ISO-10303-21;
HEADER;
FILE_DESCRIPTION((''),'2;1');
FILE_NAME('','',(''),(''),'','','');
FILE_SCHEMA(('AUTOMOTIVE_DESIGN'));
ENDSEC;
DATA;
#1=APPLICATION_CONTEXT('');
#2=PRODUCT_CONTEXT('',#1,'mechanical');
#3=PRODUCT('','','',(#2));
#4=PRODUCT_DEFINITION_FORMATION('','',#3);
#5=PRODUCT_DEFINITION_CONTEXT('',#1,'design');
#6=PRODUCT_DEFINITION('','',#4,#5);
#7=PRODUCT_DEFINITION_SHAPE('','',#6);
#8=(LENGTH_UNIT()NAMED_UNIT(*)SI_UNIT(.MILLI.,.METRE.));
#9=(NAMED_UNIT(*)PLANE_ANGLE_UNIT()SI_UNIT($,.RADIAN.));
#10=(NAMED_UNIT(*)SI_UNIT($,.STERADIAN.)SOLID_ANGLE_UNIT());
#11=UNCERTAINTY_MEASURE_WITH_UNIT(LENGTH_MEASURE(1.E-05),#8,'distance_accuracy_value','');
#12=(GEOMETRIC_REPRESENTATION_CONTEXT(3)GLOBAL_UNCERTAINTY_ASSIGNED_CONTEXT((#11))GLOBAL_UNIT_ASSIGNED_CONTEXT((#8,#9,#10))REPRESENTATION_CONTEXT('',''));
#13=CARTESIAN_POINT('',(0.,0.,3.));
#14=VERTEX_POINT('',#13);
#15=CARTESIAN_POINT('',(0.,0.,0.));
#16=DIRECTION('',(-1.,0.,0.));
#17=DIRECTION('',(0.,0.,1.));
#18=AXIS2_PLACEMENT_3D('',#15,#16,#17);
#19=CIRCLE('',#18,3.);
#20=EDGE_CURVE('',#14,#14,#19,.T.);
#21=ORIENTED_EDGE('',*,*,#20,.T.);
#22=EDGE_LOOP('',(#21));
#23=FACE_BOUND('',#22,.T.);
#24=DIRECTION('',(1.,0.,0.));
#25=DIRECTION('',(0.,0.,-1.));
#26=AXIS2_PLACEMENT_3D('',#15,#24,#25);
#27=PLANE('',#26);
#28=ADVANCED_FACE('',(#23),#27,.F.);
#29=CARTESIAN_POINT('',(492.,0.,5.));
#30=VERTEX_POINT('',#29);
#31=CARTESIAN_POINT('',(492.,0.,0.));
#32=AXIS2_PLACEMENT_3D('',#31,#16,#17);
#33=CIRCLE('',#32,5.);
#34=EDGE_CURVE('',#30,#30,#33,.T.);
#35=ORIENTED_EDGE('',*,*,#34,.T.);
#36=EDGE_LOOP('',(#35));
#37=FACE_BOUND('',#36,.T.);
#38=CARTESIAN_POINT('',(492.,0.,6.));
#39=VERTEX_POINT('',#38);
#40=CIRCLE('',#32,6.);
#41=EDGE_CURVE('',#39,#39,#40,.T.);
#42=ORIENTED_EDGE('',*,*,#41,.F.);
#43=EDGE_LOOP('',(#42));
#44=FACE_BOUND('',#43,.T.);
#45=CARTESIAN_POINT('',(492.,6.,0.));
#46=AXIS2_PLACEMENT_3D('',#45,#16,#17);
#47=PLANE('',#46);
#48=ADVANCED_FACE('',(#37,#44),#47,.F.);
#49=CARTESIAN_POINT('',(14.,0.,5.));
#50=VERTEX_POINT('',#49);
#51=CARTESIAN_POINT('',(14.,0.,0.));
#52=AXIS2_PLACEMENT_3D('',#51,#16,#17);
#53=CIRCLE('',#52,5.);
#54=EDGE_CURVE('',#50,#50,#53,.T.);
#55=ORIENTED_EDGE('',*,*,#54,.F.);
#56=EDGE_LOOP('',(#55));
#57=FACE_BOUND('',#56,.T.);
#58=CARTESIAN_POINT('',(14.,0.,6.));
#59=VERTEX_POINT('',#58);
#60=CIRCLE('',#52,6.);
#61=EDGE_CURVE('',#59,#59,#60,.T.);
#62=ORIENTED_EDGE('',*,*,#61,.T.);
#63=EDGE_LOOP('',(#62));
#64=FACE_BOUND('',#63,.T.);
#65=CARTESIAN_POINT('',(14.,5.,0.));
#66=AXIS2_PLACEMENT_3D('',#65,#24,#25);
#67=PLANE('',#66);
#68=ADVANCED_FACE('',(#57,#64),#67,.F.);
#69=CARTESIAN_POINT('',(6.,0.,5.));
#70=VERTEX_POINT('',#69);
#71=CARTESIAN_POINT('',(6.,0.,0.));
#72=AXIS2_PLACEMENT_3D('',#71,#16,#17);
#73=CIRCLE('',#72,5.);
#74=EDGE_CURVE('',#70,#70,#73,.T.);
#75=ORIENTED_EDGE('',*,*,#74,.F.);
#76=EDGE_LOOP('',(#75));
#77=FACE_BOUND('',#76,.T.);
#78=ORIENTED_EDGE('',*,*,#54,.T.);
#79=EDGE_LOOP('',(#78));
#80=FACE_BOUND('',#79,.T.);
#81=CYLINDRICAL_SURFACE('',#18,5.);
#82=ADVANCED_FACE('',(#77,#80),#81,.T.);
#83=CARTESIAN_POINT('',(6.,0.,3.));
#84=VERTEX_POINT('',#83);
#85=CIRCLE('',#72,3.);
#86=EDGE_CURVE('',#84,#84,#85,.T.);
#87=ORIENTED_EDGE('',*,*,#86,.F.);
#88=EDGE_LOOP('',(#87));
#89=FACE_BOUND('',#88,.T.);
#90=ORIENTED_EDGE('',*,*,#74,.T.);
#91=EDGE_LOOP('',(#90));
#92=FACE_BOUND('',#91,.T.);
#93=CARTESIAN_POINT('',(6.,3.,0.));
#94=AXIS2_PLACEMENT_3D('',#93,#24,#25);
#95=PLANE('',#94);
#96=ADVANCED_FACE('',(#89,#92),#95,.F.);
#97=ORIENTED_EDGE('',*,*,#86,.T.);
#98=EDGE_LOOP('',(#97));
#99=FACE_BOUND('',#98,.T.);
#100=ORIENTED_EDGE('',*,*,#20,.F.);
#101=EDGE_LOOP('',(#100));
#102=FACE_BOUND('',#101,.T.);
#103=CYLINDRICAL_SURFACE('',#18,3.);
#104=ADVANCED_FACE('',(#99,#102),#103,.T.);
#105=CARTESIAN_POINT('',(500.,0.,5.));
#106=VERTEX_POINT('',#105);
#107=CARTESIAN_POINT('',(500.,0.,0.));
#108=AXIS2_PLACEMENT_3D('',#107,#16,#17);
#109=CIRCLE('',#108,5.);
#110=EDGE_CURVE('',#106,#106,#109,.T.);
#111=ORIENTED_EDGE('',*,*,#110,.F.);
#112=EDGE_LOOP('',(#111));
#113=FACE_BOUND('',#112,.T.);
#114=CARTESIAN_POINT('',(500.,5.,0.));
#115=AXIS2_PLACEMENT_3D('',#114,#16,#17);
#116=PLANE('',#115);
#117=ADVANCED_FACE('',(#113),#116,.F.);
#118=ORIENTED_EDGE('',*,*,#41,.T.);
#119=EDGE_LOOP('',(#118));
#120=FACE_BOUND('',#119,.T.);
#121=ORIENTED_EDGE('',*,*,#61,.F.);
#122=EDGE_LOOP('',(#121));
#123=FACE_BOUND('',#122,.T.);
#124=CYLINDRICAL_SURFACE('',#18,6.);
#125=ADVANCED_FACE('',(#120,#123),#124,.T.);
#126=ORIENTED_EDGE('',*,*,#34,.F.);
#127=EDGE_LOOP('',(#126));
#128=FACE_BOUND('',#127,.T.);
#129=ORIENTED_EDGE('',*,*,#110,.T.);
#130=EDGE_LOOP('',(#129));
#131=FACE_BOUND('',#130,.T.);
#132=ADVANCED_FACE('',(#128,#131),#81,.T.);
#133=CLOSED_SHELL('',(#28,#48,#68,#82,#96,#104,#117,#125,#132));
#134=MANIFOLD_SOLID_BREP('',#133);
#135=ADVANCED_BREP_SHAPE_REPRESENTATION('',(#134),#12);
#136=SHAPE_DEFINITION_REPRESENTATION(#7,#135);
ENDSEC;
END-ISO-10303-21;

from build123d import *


with BuildPart() as part:
    # Esboço2 → Revolução1 (revolve)
    with BuildSketch(Plane.XY, mode=Mode.PRIVATE) as revolu_o1_sk:
        Polygon((0, 0), (500, 0), (500, 5), (492, 5), (492, 6), (14, 6), (14, 5), (6, 5), (6, 3), (0, 3), align=None)
    revolve(revolu_o1_sk.sketch.rotate(Axis((0, 0, 0), (1, 0, 0)), 90), axis=Axis((0, 0, 0), (1, 0, 0)))


solid = part.part
